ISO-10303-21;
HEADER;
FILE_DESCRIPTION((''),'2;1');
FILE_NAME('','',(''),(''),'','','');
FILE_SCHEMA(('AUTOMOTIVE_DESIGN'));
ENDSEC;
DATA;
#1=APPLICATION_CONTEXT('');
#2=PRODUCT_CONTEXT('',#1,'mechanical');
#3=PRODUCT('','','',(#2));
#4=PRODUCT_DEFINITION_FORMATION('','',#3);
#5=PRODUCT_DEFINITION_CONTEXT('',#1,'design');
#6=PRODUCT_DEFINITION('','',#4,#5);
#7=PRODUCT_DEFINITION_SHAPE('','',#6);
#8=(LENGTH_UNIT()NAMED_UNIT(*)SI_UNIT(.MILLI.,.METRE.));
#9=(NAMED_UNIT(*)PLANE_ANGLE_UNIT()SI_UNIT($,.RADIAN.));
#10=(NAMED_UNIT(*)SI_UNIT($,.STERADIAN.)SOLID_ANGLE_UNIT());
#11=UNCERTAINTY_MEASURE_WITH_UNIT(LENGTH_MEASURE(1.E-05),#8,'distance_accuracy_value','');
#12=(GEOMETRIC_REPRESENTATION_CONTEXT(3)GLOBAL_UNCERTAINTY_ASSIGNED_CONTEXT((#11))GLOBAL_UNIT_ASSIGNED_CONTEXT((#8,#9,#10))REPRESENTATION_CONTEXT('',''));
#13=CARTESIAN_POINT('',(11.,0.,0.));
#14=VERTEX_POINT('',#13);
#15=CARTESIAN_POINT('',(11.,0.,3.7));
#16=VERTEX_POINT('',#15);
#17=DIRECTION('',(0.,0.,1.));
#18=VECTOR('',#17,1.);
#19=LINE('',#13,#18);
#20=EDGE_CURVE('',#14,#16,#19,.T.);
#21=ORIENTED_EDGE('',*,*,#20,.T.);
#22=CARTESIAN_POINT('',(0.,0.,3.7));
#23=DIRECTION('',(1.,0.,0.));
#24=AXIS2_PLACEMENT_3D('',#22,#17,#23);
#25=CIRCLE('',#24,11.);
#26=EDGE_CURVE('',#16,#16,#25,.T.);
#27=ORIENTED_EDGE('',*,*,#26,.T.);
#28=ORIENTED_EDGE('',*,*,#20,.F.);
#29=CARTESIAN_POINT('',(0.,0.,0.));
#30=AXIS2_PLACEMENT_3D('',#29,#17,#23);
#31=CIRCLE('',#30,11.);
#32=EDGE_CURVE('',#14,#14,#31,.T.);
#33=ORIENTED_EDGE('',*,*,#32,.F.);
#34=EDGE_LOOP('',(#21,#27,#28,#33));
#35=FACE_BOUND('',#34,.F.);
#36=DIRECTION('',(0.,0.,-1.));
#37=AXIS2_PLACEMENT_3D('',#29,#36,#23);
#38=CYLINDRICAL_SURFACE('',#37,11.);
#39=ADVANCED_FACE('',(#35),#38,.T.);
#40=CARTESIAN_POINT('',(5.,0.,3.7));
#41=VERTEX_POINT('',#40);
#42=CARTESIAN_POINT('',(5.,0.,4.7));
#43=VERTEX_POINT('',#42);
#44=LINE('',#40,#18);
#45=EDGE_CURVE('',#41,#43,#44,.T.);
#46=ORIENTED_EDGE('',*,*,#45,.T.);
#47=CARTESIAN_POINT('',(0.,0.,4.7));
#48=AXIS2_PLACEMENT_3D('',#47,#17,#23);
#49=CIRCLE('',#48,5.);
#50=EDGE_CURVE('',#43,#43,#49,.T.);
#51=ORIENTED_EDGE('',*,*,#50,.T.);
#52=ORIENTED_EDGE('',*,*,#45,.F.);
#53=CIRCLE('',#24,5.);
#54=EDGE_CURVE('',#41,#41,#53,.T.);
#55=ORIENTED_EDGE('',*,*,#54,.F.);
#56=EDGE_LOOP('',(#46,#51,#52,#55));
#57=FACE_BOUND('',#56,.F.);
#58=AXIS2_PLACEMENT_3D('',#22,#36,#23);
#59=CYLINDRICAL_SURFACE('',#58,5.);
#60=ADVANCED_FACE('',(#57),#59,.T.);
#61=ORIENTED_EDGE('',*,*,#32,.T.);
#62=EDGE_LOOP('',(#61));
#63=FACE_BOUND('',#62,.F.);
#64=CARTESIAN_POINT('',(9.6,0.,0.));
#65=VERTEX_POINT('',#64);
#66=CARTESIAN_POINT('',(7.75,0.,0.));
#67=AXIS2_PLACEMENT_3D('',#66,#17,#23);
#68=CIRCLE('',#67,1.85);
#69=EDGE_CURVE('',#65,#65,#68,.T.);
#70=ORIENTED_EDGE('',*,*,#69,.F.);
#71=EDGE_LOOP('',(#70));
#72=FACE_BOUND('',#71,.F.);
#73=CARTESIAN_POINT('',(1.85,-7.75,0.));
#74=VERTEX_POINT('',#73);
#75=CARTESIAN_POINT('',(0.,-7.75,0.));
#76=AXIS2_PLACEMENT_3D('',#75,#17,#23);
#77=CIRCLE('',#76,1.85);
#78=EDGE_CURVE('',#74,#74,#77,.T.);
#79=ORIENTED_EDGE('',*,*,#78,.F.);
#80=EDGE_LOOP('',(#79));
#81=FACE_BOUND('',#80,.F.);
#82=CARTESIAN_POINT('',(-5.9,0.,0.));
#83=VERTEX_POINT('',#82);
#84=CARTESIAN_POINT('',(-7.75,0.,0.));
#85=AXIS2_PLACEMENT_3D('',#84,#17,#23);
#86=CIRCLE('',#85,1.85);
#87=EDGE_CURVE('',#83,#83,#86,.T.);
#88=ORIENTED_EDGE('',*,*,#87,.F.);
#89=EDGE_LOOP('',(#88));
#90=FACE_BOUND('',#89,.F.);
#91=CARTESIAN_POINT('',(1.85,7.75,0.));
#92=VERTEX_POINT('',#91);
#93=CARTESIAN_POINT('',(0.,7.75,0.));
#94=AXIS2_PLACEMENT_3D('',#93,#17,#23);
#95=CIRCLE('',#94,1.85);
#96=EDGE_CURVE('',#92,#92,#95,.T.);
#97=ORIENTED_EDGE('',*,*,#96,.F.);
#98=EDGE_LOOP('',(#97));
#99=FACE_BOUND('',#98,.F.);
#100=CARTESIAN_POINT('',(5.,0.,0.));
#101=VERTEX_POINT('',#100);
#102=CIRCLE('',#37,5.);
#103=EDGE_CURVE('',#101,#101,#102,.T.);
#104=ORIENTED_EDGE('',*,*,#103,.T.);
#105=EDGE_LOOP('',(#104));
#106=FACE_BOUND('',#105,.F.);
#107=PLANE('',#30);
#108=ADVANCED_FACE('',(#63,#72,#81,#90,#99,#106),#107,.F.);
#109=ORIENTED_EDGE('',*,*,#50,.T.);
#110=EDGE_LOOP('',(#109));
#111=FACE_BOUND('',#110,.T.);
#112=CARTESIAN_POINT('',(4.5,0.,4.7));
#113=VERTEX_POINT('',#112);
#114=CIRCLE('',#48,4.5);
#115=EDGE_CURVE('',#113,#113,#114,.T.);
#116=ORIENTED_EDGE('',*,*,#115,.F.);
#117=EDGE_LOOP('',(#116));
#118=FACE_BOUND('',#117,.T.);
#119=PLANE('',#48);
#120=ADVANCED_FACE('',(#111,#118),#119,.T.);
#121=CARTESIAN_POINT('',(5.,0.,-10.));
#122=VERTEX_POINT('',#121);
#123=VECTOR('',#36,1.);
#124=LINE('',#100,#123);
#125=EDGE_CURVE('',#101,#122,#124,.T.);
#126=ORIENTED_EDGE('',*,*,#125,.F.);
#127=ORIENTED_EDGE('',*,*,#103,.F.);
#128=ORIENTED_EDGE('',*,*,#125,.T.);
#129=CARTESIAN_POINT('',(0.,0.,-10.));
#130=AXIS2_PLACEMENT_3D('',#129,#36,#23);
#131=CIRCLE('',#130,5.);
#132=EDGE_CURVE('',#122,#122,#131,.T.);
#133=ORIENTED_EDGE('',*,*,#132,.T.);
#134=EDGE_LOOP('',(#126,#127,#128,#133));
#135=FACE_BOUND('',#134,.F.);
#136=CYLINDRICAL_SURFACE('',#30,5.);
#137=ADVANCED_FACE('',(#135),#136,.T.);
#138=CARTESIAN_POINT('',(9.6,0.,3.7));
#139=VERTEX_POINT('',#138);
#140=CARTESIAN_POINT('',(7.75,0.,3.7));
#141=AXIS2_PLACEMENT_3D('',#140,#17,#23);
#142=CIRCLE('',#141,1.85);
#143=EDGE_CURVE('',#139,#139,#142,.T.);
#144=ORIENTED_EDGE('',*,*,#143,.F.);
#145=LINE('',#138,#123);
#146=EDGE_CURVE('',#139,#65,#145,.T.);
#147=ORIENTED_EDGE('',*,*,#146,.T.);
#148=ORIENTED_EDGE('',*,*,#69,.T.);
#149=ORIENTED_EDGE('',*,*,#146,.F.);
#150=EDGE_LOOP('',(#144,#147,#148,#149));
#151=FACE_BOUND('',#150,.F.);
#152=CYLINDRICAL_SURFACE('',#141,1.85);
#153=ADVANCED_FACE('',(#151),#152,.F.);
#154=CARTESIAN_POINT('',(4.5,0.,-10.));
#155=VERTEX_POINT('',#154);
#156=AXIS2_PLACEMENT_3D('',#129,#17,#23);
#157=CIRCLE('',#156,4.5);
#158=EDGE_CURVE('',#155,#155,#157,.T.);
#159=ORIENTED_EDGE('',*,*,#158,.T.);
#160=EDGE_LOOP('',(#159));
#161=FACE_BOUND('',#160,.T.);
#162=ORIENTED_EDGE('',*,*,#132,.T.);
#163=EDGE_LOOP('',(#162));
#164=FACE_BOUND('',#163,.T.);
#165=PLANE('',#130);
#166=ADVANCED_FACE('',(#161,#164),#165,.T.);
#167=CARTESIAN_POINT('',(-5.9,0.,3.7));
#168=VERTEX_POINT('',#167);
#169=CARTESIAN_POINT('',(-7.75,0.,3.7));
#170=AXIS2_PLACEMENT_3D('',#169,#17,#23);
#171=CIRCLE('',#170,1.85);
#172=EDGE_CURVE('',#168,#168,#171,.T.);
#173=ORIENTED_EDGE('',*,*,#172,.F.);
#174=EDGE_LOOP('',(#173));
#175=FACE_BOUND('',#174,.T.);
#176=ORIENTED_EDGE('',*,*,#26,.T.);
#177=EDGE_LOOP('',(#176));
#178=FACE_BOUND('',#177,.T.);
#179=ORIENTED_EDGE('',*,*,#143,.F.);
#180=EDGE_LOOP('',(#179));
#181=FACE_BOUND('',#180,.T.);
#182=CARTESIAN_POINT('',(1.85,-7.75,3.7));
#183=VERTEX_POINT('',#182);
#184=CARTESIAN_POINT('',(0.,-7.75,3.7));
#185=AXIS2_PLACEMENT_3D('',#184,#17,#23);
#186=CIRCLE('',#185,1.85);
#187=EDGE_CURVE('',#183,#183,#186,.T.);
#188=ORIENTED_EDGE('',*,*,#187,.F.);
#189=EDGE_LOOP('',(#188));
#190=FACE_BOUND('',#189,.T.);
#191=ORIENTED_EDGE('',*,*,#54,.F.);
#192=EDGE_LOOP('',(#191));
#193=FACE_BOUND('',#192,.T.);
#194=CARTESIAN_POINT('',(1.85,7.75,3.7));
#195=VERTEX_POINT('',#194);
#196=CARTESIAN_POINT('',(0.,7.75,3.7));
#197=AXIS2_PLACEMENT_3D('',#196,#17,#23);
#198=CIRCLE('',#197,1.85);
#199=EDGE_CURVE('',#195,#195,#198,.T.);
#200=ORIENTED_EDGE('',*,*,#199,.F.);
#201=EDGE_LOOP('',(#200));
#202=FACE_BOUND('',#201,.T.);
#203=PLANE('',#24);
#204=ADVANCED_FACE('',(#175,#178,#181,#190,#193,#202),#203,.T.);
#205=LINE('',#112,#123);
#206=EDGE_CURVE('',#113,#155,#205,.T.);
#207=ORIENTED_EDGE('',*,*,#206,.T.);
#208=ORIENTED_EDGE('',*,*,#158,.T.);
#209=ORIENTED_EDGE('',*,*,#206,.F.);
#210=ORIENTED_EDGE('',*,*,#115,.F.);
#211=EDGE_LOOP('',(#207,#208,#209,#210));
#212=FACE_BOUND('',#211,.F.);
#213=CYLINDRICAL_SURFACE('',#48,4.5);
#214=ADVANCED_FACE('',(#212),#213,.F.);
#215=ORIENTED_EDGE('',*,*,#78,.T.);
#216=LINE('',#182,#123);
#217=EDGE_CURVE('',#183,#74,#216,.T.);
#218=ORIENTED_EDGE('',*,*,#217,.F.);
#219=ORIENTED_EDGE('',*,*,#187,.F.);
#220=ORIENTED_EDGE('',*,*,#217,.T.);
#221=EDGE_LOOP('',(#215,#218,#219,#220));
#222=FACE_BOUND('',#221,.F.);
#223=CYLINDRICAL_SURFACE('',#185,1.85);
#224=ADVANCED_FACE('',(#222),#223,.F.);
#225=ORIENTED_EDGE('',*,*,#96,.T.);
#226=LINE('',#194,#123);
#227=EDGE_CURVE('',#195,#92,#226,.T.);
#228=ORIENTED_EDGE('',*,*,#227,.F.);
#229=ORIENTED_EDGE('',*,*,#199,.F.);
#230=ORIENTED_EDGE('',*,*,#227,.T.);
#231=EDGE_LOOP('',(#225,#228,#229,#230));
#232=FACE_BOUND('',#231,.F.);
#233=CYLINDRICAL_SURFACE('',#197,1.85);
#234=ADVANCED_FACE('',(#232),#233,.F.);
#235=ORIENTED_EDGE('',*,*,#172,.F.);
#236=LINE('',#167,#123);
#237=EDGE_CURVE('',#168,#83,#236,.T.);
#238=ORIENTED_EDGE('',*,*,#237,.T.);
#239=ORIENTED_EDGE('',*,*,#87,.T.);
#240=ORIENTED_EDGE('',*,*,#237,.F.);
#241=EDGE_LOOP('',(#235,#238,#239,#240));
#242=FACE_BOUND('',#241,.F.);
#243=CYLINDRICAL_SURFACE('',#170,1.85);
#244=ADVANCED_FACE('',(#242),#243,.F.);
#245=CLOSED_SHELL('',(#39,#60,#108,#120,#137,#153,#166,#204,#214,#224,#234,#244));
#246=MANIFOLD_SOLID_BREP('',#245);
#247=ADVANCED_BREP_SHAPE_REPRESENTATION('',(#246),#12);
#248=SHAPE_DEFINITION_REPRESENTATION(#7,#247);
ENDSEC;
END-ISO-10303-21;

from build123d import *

# Parameters (mm, degrees)
F0_R     = 11
F1_DEPTH = 3.7
F2_R     = 5
F3_DEPTH = 1
F4_R     = 5
F5_DEPTH = 10
F6_R     = 4.5
F7_DEPTH = 14.701
F8_R     = 1.85
F9_DEPTH = 13.701


with BuildPart() as f1:
    # F0 (on Top) → F1 (new body)
    with BuildSketch(Plane.XY):
        Circle(F0_R)
    extrude(amount=F1_DEPTH)

    # F2 (on face) → F3 (join)
    with BuildSketch(Plane.XY.offset(3.7)):
        Circle(F2_R)
    extrude(amount=F3_DEPTH)

    # F4 (on face) → F5 (join)
    with BuildSketch(Plane(origin=(0, 0, 0), x_dir=(1, 0, 0), z_dir=(0, 0, -1))):
        Circle(F4_R)
    extrude(amount=F5_DEPTH)

    # F6 (on face) → F7 (cut, through all)
    with BuildSketch(Plane.XY.offset(4.7)):
        Circle(F6_R)
    extrude(amount=-F7_DEPTH, mode=Mode.SUBTRACT)

    # F8 (on face) → F9 (cut, through all)
    with BuildSketch(Plane.XY.offset(3.7)):
        with Locations((0, 7.75)):
            Circle(F8_R)
        with Locations((-7.75, 0)):
            Circle(F8_R)
        with Locations((0, -7.75)):
            Circle(F8_R)
        with Locations((7.75, 0)):
            Circle(F8_R)
    extrude(amount=-F9_DEPTH, mode=Mode.SUBTRACT)


solid = f1.part
